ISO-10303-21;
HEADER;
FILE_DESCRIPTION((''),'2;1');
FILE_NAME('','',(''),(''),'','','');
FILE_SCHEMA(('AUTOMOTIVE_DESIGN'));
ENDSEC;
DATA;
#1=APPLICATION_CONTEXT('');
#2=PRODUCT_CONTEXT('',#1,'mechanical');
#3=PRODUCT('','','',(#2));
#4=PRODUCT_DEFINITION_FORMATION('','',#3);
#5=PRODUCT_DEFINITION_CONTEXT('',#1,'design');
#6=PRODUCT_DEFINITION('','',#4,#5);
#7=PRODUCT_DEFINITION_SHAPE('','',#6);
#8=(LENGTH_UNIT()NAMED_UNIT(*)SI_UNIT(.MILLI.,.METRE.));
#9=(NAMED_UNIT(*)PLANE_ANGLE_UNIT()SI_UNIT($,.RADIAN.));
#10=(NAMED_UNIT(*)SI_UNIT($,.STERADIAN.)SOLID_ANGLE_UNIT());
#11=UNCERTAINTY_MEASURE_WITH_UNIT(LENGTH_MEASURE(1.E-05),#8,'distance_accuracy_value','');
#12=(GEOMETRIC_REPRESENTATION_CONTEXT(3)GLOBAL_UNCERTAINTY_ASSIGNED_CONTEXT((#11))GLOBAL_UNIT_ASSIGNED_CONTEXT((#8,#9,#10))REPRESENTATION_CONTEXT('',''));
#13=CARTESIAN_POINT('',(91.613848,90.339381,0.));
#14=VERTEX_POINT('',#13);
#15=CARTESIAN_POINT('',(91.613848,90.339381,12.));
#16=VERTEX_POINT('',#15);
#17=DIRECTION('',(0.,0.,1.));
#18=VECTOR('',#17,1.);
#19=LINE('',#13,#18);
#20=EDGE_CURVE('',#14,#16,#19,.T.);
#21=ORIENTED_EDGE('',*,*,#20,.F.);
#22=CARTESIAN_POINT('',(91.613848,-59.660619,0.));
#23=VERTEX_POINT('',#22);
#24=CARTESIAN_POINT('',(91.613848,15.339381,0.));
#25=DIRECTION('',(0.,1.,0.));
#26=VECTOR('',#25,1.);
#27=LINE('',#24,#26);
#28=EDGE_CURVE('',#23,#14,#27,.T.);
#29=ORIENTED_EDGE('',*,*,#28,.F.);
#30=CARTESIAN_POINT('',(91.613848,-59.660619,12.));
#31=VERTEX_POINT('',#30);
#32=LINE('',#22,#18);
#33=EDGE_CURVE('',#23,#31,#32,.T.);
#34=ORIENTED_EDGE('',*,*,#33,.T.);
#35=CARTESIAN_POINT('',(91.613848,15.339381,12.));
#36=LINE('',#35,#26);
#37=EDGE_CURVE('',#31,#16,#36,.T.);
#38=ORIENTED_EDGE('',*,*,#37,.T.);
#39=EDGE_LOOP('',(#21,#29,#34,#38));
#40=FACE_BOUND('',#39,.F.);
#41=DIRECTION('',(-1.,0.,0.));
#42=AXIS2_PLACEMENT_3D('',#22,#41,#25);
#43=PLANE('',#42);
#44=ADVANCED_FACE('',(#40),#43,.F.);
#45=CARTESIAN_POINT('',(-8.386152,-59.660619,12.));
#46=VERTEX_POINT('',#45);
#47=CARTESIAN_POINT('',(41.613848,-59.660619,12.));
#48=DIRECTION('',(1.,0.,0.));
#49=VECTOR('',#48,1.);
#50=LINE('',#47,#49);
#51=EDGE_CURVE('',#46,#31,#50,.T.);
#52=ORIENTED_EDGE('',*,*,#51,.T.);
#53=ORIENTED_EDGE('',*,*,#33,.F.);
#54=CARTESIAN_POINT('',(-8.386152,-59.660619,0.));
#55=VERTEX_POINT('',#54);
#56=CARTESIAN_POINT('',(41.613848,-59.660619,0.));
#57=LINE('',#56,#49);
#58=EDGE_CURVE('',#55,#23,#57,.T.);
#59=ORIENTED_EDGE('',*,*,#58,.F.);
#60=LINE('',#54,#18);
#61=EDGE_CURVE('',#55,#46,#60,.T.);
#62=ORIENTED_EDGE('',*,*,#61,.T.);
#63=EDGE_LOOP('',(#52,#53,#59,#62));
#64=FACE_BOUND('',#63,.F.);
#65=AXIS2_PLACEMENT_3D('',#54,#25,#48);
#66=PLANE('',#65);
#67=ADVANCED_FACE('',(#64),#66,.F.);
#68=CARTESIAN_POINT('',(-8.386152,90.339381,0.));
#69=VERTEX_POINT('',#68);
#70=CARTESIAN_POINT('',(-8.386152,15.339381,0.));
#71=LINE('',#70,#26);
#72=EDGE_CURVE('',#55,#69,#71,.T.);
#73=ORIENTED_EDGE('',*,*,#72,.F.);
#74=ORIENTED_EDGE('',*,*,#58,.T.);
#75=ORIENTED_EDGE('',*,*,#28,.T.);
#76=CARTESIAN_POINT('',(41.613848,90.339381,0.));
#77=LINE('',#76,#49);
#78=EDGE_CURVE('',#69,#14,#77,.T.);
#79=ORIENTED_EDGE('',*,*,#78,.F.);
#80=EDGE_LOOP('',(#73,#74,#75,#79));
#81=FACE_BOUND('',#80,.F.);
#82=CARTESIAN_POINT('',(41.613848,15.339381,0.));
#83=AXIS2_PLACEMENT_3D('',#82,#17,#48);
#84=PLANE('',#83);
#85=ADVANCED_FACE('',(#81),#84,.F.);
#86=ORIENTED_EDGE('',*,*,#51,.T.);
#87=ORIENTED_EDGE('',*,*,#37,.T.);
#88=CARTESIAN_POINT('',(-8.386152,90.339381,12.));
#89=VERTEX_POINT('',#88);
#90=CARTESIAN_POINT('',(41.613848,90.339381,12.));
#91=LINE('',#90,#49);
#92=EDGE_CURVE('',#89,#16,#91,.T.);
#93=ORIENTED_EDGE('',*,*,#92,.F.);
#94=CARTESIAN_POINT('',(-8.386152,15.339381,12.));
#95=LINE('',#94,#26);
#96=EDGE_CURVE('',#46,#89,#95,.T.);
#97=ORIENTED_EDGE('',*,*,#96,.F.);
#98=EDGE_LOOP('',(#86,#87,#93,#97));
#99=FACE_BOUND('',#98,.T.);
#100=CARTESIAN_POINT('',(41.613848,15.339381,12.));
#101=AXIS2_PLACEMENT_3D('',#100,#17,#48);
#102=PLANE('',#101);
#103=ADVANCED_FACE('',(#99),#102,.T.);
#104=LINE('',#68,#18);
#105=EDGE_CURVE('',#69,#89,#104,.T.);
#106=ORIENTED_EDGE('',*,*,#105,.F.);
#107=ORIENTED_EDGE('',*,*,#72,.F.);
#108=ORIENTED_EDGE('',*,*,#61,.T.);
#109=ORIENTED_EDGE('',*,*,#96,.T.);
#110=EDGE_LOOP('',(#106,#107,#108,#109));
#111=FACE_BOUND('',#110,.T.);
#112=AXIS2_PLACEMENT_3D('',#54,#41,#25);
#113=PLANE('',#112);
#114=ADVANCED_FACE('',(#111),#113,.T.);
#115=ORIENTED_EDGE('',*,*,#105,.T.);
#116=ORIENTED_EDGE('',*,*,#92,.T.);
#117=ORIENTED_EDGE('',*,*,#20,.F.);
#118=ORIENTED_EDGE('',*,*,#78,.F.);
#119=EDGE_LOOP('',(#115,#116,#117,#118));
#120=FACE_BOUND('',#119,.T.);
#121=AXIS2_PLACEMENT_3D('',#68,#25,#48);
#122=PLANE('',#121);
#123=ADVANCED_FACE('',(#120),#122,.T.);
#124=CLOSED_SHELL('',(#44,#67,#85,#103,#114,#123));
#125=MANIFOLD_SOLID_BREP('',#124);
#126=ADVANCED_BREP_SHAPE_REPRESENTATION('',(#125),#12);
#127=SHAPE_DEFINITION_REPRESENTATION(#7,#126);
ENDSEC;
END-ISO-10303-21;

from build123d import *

# Parameters (mm, degrees)
SKETCH_W  = 100
SKETCH_H  = 150
PAD_DEPTH = 12


with BuildPart() as part:
    # Sketch → Pad (new body)
    with BuildSketch(Plane.XY):
        with Locations((41.613848, 15.339381)):
            Rectangle(SKETCH_W, SKETCH_H)
    extrude(amount=PAD_DEPTH)


solid = part.part
